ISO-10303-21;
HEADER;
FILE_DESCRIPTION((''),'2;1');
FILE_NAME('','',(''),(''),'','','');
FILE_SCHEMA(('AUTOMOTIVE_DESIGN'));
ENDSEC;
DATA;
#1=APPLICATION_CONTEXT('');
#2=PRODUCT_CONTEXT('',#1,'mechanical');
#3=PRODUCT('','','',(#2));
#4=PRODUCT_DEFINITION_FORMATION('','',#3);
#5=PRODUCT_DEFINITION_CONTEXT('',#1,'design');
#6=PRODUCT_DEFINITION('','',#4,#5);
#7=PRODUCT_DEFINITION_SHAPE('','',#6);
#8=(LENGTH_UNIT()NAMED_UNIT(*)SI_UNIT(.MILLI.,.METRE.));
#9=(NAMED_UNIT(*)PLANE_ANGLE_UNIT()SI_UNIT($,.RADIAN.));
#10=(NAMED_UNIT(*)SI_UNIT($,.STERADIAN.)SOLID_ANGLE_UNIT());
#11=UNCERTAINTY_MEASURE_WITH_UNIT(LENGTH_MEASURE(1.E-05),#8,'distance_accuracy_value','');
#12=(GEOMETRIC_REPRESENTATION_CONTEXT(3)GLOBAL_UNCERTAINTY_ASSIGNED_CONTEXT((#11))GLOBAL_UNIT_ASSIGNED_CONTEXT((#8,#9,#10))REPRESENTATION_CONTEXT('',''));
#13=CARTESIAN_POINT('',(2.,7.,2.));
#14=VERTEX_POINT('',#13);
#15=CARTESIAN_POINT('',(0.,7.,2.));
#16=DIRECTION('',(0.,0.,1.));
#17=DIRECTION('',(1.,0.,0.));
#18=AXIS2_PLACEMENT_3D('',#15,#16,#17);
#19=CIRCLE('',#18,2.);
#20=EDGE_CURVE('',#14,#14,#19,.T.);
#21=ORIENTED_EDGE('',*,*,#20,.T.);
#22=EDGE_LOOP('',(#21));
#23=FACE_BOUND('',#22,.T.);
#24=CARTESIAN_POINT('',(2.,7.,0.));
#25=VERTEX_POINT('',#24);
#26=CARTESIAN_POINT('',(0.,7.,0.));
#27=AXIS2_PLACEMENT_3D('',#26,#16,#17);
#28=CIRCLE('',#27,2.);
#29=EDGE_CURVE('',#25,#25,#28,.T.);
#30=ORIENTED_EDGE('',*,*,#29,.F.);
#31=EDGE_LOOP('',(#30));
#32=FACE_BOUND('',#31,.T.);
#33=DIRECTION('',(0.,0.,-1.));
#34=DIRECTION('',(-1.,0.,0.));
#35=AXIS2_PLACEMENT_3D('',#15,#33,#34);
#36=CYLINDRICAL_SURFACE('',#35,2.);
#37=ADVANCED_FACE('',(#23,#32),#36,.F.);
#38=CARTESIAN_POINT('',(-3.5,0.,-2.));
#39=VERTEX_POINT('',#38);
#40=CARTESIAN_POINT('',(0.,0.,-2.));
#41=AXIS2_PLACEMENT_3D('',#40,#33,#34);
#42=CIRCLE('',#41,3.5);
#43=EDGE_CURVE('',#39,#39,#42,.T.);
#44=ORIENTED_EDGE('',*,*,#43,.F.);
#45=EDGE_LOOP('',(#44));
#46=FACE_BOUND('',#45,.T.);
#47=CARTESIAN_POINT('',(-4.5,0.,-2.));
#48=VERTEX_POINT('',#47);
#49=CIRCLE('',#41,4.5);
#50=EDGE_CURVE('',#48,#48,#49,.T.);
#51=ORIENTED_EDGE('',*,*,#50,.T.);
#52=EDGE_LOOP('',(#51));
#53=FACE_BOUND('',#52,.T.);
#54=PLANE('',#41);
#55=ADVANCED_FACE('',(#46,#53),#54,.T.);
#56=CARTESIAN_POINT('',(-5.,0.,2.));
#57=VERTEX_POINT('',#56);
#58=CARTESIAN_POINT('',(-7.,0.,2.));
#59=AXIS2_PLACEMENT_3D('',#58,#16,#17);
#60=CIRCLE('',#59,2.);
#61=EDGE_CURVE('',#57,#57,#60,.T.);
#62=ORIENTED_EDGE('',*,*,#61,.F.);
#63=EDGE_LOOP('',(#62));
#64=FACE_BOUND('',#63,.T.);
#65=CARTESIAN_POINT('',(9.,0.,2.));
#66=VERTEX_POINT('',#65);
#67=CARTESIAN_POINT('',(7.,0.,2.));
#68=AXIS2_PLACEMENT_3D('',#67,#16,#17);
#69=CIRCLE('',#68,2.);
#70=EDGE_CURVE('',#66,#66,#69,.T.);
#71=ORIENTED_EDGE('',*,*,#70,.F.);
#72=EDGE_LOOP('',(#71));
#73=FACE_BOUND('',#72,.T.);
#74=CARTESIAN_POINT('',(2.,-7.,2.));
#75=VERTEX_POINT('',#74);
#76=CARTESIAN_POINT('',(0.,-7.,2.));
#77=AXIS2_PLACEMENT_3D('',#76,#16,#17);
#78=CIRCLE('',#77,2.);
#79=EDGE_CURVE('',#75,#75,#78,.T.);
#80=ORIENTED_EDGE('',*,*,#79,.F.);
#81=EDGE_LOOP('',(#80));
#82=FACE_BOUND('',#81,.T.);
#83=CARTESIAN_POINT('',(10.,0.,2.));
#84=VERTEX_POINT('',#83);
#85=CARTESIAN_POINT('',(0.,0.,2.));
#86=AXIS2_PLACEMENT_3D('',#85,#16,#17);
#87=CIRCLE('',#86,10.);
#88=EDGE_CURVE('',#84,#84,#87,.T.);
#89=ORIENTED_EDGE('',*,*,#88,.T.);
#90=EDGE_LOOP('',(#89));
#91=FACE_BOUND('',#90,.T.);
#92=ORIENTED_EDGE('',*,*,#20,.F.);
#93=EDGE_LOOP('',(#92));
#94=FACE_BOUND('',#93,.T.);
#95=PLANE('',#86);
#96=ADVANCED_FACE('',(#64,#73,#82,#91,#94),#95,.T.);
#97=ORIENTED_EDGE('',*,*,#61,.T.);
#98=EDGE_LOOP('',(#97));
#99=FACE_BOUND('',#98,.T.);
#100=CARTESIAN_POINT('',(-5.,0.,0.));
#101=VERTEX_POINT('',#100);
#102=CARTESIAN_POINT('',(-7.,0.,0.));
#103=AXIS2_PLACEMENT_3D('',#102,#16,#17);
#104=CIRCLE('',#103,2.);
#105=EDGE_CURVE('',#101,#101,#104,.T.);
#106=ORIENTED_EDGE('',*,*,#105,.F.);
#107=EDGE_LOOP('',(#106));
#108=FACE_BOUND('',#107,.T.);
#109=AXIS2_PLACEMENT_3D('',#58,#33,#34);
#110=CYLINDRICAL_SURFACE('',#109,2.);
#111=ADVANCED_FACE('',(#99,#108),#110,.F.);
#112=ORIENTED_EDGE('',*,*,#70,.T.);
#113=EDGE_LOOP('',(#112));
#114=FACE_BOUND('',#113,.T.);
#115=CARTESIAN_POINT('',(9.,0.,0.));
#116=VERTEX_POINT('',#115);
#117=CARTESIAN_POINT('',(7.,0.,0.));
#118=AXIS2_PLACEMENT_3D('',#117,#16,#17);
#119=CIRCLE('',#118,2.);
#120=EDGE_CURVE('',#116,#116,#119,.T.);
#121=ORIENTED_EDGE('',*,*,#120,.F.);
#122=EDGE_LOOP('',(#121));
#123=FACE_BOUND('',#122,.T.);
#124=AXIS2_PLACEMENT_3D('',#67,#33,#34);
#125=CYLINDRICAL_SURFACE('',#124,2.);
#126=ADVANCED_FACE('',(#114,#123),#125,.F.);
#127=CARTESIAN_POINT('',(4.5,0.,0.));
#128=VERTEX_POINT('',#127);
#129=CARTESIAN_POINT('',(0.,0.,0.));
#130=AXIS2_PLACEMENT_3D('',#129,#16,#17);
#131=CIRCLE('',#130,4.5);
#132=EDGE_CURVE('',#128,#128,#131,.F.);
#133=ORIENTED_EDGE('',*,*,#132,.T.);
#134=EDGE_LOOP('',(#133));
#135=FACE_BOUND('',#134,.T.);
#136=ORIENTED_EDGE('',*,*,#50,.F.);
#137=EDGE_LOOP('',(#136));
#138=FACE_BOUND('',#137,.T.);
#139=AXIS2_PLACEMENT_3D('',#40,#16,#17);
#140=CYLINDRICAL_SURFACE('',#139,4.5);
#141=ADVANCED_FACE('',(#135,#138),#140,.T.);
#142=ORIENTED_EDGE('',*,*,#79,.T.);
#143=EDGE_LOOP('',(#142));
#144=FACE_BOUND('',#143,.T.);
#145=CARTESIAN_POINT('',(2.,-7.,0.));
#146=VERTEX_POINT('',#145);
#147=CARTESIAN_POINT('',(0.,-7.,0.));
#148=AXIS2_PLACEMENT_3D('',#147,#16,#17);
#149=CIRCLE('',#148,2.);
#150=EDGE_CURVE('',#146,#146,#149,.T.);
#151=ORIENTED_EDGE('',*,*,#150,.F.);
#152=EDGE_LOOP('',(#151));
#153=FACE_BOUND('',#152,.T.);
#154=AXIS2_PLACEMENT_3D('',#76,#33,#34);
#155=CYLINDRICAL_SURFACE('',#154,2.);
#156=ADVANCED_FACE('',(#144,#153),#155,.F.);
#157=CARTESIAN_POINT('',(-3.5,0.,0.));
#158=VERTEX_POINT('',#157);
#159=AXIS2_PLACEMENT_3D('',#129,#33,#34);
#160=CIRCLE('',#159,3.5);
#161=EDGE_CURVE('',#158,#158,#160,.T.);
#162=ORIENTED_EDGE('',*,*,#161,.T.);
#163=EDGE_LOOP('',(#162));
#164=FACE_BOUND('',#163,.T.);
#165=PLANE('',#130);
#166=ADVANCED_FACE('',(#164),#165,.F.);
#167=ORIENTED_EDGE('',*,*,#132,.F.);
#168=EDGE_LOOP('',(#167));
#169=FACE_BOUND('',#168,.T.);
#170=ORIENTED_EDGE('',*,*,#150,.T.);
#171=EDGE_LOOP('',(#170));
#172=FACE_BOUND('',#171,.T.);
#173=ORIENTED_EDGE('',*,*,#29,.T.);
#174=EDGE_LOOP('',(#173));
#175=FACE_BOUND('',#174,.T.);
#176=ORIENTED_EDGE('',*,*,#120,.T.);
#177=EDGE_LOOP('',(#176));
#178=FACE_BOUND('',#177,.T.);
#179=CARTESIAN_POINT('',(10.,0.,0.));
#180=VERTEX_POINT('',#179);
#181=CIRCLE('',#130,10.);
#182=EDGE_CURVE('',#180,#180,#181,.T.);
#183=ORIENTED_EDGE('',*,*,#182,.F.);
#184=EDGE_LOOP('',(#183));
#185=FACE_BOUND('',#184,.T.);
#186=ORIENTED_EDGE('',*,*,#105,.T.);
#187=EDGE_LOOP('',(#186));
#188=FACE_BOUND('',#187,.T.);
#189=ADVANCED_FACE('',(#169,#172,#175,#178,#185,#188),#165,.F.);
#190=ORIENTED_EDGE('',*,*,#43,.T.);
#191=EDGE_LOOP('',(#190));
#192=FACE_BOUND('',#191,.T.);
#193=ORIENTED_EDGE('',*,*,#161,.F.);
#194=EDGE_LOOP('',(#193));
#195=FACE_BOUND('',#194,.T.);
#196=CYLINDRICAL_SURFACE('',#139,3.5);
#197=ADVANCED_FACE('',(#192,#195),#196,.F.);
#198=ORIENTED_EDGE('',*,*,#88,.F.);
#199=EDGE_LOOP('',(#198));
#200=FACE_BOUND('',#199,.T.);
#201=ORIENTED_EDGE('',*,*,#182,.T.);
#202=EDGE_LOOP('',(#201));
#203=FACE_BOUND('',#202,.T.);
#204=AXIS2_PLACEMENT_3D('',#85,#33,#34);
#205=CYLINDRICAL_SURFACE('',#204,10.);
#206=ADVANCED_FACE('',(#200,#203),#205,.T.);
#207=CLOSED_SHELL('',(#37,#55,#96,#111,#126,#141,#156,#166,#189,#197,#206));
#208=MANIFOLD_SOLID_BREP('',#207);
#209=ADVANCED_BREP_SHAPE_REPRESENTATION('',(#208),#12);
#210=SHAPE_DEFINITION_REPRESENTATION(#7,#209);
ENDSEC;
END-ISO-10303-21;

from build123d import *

# Parameters (mm, degrees)
SKETCH1_R           = 10
SKETCH1_R_2         = 2
BOSS_EXTRUDE1_DEPTH = 2
SKETCH2_R           = 4.5
SKETCH2_R_2         = 3.5
BOSS_EXTRUDE2_DEPTH = 2


with BuildPart() as part:
    # Sketch1 → Boss-Extrude1 (new body)
    with BuildSketch(Plane.XY):
        Circle(SKETCH1_R)
        with Locations((7, 0)):
            Circle(SKETCH1_R_2, mode=Mode.SUBTRACT)
        with Locations((0, 7)):
            Circle(SKETCH1_R_2, mode=Mode.SUBTRACT)
        with Locations((-7, 0)):
            Circle(SKETCH1_R_2, mode=Mode.SUBTRACT)
        with Locations((0, -7)):
            Circle(SKETCH1_R_2, mode=Mode.SUBTRACT)
    extrude(amount=BOSS_EXTRUDE1_DEPTH)

    # Sketch2 → Boss-Extrude2 (add)
    with BuildSketch(Plane(origin=(0, 0, 0), x_dir=(-1, 0, 0), z_dir=(0, 0, -1))):
        Circle(SKETCH2_R)
        Circle(SKETCH2_R_2, mode=Mode.SUBTRACT)
    extrude(amount=BOSS_EXTRUDE2_DEPTH)


solid = part.part
